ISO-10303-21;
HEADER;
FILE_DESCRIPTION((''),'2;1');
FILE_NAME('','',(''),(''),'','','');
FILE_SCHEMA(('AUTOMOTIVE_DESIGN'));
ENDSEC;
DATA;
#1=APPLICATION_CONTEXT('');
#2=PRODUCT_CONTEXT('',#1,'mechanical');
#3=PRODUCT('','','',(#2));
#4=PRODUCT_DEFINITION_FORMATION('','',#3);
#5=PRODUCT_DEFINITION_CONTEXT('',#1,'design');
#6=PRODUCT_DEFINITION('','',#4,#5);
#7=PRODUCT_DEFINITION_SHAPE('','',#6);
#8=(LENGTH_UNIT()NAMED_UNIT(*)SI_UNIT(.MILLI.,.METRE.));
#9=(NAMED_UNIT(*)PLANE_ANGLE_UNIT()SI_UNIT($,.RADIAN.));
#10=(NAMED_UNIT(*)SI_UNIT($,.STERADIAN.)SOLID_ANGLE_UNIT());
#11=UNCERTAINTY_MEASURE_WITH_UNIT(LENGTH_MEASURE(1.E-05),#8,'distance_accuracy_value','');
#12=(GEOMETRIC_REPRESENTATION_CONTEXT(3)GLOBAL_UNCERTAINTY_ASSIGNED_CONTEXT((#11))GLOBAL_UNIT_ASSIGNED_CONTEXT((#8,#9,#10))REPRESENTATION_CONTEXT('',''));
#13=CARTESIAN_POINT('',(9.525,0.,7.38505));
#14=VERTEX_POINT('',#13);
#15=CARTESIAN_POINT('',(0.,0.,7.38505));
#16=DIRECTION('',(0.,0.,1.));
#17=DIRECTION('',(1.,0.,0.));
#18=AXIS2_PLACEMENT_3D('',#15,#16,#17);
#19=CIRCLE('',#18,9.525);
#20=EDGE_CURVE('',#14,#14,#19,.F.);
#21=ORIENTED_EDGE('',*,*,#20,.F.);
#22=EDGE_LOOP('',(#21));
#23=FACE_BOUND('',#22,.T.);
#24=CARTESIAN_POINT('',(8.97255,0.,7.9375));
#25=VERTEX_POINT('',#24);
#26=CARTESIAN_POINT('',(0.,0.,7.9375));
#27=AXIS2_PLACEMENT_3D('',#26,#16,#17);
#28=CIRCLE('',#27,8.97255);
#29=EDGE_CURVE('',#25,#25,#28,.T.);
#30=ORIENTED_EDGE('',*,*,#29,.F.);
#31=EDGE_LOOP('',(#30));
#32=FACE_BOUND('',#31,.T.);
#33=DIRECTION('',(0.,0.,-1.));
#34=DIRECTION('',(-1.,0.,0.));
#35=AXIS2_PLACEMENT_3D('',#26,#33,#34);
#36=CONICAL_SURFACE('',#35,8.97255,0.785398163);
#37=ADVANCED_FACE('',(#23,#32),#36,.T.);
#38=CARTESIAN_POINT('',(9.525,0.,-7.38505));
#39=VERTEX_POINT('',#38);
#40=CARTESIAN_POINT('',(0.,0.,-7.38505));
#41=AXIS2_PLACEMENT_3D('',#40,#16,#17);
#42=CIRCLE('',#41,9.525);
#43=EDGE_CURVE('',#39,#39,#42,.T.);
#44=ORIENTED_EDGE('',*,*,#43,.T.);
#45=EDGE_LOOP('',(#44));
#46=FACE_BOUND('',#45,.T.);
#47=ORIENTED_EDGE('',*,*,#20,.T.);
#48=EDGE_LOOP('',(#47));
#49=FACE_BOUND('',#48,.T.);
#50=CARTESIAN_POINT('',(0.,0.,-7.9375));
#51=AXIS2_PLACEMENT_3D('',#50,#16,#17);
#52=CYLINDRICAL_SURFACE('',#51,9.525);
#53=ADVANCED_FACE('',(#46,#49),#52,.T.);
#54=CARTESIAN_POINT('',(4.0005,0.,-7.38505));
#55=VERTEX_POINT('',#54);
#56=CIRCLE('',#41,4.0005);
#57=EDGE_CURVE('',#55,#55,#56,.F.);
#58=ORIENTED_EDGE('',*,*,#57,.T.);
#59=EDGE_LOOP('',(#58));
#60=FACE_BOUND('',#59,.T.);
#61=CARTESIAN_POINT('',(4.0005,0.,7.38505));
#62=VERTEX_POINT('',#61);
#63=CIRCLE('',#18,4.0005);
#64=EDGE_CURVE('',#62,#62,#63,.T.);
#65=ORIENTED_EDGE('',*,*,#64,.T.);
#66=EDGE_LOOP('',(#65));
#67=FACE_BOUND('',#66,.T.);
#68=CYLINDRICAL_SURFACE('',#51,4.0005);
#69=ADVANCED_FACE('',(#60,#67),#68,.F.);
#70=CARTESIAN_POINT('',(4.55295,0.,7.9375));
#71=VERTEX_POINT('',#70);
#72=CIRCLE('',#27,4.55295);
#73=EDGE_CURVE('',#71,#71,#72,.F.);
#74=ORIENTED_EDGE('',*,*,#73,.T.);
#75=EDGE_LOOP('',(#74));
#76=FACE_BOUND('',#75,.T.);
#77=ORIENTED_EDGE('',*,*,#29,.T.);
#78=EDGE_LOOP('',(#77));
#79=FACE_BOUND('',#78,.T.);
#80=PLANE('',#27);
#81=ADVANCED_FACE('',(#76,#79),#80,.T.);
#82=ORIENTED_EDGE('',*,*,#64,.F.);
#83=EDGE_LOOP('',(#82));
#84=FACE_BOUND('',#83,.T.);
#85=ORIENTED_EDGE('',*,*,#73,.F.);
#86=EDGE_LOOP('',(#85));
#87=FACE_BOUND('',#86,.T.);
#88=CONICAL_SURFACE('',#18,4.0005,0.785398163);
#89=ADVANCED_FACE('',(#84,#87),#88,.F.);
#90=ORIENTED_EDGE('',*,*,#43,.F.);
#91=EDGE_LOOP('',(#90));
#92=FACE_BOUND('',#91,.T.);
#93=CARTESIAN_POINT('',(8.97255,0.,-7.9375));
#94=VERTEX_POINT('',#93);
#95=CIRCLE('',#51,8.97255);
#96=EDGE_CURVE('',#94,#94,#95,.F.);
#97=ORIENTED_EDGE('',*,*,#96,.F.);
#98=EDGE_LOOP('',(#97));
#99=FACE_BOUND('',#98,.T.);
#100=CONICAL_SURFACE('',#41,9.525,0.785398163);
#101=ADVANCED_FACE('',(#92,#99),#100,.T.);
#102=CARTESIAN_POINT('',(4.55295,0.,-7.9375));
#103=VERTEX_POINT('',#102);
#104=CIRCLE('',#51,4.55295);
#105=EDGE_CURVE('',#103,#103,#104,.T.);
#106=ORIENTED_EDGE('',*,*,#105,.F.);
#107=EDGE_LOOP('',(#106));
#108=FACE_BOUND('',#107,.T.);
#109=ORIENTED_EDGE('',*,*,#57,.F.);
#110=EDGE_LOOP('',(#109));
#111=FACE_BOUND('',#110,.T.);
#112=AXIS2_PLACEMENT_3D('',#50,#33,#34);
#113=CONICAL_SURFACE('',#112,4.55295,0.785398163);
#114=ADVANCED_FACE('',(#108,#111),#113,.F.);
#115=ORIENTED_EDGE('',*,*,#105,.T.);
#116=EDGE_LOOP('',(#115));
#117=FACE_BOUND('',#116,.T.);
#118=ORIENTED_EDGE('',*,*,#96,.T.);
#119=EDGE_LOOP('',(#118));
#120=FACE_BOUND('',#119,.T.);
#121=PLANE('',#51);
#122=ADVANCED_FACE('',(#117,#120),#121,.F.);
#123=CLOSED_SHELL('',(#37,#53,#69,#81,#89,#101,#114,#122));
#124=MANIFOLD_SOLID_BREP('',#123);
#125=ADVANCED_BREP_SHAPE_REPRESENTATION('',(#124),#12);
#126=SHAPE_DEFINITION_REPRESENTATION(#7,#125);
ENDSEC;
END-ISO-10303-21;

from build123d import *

# Parameters (mm, degrees)
BOSS_EXTRUDE1_DEPTH      = 7.9375
BOSS_EXTRUDE1_DEPTH_BACK = 7.9375
SKETCH3_R                = 9.525
SKETCH3_R_2              = 4.0005
CHAMFER1_SIZE            = 0.55245


with BuildPart() as part:
    # Sketch3 → Boss-Extrude1 (new, two sides: drawn at the far end of the back side and taken through both)
    with BuildSketch(Plane.XY.offset(-BOSS_EXTRUDE1_DEPTH_BACK)):
        Circle(SKETCH3_R)
        Circle(SKETCH3_R_2, mode=Mode.SUBTRACT)
    extrude(amount=BOSS_EXTRUDE1_DEPTH + BOSS_EXTRUDE1_DEPTH_BACK)

    # Chamfer1
    chamfer1_edges = [part.edges().sort_by_distance(p)[0] for p in [
        (-9.525, 0, -7.9375),
        (-4.0005, 0, -7.9375),
        (-9.525, 0, 7.9375),
        (-4.0005, 0, 7.9375),
    ]]
    chamfer(chamfer1_edges, length=CHAMFER1_SIZE)


solid = part.part
